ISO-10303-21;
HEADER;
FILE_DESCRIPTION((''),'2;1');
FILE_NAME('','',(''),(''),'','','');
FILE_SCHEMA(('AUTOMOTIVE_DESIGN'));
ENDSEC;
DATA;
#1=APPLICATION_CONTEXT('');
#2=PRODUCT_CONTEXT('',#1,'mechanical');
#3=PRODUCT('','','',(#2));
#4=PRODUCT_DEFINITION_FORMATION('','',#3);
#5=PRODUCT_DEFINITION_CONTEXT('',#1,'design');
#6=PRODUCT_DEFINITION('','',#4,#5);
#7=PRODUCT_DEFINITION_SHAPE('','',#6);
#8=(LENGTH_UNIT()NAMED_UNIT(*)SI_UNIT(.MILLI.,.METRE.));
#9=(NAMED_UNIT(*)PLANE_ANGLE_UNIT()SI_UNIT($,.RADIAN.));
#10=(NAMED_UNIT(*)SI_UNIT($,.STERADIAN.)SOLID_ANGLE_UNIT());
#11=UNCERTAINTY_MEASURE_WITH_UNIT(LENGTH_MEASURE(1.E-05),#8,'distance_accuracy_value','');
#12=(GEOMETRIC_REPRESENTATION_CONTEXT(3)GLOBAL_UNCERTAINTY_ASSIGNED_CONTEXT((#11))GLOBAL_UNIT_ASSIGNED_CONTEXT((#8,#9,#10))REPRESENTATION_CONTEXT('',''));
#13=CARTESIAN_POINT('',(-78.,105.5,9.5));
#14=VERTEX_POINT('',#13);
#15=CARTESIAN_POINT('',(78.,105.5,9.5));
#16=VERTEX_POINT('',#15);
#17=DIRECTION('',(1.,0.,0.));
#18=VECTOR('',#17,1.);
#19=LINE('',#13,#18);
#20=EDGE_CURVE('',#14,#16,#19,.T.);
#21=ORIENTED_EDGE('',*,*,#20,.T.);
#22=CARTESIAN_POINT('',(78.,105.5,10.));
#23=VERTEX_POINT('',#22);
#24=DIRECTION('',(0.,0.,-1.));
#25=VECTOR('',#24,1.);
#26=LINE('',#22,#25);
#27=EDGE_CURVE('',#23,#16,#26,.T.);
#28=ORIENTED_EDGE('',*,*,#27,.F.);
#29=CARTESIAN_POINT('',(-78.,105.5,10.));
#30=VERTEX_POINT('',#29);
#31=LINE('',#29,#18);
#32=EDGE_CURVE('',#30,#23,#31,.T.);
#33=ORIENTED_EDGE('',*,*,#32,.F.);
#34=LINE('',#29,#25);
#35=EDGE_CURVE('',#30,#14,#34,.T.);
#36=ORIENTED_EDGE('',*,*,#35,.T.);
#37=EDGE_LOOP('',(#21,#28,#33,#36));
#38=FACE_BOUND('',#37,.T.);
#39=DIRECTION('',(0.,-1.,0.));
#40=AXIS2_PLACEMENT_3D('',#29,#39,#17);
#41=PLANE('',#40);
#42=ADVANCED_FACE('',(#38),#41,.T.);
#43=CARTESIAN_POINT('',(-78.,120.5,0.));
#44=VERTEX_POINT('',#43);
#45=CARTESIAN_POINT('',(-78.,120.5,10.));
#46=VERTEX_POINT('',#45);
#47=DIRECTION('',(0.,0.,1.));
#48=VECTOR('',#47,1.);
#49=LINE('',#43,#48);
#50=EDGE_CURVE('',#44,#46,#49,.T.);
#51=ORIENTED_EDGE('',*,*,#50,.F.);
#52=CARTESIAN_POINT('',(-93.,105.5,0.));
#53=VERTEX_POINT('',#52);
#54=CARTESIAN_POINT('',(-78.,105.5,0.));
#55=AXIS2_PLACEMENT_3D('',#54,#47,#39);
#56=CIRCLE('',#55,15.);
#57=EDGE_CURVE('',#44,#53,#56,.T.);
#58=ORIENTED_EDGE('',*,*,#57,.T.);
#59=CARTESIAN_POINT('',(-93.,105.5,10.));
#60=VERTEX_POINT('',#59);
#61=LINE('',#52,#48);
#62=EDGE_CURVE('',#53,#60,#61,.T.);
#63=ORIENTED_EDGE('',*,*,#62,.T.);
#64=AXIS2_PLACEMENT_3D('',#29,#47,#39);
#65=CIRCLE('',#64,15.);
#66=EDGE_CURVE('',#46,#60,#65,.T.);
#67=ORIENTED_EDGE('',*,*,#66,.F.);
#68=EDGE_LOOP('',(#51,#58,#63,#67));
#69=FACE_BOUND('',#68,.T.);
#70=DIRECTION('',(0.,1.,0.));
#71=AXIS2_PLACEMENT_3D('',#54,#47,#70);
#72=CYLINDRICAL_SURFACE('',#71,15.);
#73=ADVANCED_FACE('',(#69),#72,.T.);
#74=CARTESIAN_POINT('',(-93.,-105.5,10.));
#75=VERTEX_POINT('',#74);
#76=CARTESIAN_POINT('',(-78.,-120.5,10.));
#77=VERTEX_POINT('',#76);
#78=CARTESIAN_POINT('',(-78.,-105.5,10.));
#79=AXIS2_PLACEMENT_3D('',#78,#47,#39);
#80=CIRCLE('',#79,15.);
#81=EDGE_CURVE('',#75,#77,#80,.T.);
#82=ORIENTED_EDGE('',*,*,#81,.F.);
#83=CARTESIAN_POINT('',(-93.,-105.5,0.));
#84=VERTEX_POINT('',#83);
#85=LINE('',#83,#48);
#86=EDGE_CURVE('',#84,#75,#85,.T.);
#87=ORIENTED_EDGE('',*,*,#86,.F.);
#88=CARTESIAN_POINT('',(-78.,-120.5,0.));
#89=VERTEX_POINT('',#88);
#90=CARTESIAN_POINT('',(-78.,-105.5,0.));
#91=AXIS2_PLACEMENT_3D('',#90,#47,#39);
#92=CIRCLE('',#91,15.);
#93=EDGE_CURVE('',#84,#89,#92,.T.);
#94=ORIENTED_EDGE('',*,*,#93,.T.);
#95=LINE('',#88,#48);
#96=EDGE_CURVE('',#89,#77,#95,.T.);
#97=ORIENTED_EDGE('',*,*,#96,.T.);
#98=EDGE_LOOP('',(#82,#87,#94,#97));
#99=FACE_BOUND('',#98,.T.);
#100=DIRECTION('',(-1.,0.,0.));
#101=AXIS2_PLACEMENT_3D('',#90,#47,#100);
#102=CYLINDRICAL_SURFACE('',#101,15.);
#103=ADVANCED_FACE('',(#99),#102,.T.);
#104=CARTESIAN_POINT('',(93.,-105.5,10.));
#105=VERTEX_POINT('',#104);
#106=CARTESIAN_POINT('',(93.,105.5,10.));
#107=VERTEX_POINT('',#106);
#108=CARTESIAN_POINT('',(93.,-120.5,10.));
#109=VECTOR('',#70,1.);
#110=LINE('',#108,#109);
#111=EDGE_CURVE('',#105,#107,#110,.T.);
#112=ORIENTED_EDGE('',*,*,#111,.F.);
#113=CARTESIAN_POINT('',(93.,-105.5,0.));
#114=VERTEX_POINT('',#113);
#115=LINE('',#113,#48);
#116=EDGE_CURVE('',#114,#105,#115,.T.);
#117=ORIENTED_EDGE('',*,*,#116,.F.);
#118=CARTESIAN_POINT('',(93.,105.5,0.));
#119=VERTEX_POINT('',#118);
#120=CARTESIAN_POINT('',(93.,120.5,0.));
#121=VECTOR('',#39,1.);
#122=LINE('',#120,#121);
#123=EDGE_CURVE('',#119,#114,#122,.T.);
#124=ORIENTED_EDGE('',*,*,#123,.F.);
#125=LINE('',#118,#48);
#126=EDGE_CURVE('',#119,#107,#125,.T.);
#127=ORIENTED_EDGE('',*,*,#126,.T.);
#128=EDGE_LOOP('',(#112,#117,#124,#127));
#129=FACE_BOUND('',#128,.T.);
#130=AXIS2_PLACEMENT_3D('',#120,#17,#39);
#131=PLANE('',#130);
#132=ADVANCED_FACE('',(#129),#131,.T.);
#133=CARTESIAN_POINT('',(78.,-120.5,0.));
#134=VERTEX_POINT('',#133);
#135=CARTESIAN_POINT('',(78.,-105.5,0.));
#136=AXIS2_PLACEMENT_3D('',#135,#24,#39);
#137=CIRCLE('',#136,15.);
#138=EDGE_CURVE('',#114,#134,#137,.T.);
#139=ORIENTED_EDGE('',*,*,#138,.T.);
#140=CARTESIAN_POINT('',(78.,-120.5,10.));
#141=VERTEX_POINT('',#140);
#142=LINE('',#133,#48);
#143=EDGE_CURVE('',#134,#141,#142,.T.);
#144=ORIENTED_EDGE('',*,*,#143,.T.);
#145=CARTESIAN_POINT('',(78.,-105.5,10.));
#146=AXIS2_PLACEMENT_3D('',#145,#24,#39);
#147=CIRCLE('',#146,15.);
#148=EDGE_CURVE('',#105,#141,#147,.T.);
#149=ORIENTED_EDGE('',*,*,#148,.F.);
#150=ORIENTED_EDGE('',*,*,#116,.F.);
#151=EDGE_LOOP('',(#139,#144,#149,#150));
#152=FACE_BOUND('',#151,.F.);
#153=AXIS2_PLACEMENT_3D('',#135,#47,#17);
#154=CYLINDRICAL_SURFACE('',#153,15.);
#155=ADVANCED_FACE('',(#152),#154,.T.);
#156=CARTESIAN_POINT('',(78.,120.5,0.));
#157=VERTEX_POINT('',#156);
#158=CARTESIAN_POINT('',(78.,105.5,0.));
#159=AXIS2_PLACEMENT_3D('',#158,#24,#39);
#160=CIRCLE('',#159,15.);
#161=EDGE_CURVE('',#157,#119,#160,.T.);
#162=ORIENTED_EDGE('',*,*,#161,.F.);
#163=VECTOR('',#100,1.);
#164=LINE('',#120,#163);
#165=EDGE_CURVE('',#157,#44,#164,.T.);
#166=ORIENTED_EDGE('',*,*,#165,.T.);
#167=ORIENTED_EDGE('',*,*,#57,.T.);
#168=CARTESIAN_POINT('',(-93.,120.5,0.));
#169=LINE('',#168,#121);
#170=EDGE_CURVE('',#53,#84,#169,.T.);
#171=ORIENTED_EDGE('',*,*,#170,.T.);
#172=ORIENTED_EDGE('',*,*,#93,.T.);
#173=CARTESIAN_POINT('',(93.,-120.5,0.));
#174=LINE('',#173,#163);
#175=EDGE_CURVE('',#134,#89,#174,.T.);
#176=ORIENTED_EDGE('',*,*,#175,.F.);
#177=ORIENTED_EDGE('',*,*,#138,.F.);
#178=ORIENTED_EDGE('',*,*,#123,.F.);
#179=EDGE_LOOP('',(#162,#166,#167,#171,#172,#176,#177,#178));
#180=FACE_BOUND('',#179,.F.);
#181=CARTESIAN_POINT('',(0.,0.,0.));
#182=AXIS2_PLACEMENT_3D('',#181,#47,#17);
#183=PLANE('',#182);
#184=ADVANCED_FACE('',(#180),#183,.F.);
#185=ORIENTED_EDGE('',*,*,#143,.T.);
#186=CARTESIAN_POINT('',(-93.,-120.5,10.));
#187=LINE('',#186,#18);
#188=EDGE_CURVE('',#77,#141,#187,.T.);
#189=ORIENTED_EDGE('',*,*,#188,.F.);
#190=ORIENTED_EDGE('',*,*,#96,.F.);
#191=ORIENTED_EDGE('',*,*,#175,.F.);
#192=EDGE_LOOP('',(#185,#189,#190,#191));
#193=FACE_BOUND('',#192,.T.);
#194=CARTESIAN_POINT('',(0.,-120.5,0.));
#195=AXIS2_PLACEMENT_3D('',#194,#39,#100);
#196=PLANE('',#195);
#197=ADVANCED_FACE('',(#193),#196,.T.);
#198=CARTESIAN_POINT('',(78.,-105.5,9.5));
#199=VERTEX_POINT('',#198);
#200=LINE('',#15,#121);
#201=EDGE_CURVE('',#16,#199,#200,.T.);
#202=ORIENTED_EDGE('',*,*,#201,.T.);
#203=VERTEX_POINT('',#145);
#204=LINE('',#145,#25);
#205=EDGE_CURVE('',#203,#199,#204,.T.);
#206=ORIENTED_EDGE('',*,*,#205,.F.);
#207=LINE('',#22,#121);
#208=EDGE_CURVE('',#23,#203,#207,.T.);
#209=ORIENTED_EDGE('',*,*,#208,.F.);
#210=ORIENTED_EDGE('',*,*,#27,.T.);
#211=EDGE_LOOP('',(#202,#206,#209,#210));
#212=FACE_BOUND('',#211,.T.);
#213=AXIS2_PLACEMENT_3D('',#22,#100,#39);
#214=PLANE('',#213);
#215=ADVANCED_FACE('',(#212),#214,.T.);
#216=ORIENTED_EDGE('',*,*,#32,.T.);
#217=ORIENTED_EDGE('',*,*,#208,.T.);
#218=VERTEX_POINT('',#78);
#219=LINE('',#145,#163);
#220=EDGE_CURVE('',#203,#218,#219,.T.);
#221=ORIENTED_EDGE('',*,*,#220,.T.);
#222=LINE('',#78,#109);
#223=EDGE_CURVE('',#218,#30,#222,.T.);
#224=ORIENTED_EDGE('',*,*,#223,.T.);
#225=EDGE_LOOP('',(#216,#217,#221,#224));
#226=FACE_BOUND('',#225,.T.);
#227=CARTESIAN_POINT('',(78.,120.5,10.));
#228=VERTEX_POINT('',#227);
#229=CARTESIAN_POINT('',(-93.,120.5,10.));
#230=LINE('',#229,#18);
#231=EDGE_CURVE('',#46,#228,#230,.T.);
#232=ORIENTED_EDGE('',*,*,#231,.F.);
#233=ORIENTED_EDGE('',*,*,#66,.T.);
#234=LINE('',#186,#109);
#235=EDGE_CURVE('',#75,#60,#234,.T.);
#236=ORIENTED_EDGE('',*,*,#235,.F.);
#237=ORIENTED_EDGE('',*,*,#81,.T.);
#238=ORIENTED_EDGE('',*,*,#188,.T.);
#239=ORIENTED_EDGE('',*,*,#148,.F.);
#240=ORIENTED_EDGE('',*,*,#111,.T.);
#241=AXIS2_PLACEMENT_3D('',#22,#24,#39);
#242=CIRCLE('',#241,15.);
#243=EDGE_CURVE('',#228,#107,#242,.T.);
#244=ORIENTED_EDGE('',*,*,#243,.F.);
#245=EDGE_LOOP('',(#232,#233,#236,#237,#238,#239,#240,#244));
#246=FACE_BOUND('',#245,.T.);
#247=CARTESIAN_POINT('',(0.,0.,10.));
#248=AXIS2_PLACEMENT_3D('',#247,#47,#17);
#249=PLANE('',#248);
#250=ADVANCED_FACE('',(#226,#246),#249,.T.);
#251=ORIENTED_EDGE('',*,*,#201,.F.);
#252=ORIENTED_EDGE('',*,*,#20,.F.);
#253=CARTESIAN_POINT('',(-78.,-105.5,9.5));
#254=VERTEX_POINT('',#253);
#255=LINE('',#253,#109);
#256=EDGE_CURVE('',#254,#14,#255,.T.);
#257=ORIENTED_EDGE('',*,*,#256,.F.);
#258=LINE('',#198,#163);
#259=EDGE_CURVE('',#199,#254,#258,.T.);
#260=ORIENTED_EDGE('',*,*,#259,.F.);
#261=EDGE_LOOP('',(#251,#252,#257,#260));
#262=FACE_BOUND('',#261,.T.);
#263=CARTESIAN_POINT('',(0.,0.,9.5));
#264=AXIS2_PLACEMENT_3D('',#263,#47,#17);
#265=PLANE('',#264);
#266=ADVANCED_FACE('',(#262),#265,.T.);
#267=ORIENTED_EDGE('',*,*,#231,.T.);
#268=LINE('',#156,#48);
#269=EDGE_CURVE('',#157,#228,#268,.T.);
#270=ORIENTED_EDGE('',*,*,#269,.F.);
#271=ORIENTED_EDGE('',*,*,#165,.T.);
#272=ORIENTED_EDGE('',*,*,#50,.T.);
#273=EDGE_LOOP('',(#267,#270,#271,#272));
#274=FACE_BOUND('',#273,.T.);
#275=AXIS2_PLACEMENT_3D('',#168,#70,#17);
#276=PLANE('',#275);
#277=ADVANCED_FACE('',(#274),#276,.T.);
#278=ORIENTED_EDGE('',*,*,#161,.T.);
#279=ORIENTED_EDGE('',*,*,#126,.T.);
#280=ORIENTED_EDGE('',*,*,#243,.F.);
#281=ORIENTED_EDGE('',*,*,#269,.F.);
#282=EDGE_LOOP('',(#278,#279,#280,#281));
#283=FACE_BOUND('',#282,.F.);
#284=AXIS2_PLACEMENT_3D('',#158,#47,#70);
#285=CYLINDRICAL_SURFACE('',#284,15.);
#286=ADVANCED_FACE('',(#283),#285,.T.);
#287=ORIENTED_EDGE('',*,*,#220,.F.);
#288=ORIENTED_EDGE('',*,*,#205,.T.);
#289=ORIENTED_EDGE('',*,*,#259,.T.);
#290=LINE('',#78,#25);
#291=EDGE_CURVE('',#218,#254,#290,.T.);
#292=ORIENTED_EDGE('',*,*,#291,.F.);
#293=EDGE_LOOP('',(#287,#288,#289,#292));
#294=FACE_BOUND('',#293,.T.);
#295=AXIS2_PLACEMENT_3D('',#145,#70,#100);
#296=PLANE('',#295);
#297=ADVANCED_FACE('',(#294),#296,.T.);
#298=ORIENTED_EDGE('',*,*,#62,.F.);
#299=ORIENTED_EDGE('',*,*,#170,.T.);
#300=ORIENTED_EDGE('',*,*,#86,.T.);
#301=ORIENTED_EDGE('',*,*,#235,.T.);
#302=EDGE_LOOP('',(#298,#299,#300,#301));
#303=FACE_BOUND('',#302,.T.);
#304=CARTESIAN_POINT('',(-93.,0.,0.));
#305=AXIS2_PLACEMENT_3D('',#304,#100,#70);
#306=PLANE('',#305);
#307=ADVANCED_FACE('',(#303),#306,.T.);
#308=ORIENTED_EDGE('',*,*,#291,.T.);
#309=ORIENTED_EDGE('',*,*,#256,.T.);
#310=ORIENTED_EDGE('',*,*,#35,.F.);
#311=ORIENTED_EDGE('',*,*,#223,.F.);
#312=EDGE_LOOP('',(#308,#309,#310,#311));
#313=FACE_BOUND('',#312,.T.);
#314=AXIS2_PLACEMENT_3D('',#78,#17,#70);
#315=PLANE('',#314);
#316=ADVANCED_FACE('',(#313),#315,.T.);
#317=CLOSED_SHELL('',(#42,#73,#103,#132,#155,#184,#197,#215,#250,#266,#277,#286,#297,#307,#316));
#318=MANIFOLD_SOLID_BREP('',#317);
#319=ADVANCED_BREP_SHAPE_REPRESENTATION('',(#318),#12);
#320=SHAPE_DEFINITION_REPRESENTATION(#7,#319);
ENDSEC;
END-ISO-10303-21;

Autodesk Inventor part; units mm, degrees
ref_plane "YZ Plane" through (0, 0, 0) normal (1, 0, 0) x (0, 1, 0)
ref_plane "XZ Plane" through (0, 0, 0) normal (0, 1, 0) x (-1, 0, 0)
ref_plane "XY Plane" through (0, 0, 0) normal (0, 0, 1) x (1, 0, 0)
sketch "Skizze1" plane through (0, 0, 0) normal (0, 0, 1) x (1, 0, 0)
  line L0 (-93, 120.5) -> (93, 120.5)
  line L1 (93, 120.5) -> (93, -120.5)
  line L2 (93, -120.5) -> (-93, -120.5)
  line L3 (-93, -120.5) -> (-93, 120.5)
  line L4 (-130.2, 0) -> (130.2, 0) projected
  line L5 (0, -168.7) -> (0, 168.7) projected
  point P0 (0, 0)
  dimension "d0" = 241
  dimension "d1" = 186
extrude "Extrusion1" add sketch "Skizze1" along normal blind 10
sketch "Skizze3" plane through (0, 0, 10) normal (0, 0, 1) x (1, 0, 0)
  line L0 (93, 120.5) -> (93, -120.5) projected
  line L1 (-93, 120.5) -> (93, 120.5) projected
  line L2 (-93, -120.5) -> (-93, 120.5) projected
  line L3 (93, -120.5) -> (-93, -120.5) projected
  line L4 (78, 105.5) -> (78, -105.5)
  line L5 (78, -105.5) -> (-78, -105.5)
  line L6 (-78, -105.5) -> (-78, 105.5)
  line L7 (-78, 105.5) -> (78, 105.5)
  point P0 (0, 0)
  dimension "d5" = 15
extrude "Extrusion2" cut sketch "Skizze3" against normal blind 0.5 contours L4 L5 L6 L7
fillet "Rundung2" radius 15 4 edges at (-93, -120.5, 5) (93, -120.5, 5) (93, 120.5, 5) (-93, 120.5, 5)
properties part number "tablet"
